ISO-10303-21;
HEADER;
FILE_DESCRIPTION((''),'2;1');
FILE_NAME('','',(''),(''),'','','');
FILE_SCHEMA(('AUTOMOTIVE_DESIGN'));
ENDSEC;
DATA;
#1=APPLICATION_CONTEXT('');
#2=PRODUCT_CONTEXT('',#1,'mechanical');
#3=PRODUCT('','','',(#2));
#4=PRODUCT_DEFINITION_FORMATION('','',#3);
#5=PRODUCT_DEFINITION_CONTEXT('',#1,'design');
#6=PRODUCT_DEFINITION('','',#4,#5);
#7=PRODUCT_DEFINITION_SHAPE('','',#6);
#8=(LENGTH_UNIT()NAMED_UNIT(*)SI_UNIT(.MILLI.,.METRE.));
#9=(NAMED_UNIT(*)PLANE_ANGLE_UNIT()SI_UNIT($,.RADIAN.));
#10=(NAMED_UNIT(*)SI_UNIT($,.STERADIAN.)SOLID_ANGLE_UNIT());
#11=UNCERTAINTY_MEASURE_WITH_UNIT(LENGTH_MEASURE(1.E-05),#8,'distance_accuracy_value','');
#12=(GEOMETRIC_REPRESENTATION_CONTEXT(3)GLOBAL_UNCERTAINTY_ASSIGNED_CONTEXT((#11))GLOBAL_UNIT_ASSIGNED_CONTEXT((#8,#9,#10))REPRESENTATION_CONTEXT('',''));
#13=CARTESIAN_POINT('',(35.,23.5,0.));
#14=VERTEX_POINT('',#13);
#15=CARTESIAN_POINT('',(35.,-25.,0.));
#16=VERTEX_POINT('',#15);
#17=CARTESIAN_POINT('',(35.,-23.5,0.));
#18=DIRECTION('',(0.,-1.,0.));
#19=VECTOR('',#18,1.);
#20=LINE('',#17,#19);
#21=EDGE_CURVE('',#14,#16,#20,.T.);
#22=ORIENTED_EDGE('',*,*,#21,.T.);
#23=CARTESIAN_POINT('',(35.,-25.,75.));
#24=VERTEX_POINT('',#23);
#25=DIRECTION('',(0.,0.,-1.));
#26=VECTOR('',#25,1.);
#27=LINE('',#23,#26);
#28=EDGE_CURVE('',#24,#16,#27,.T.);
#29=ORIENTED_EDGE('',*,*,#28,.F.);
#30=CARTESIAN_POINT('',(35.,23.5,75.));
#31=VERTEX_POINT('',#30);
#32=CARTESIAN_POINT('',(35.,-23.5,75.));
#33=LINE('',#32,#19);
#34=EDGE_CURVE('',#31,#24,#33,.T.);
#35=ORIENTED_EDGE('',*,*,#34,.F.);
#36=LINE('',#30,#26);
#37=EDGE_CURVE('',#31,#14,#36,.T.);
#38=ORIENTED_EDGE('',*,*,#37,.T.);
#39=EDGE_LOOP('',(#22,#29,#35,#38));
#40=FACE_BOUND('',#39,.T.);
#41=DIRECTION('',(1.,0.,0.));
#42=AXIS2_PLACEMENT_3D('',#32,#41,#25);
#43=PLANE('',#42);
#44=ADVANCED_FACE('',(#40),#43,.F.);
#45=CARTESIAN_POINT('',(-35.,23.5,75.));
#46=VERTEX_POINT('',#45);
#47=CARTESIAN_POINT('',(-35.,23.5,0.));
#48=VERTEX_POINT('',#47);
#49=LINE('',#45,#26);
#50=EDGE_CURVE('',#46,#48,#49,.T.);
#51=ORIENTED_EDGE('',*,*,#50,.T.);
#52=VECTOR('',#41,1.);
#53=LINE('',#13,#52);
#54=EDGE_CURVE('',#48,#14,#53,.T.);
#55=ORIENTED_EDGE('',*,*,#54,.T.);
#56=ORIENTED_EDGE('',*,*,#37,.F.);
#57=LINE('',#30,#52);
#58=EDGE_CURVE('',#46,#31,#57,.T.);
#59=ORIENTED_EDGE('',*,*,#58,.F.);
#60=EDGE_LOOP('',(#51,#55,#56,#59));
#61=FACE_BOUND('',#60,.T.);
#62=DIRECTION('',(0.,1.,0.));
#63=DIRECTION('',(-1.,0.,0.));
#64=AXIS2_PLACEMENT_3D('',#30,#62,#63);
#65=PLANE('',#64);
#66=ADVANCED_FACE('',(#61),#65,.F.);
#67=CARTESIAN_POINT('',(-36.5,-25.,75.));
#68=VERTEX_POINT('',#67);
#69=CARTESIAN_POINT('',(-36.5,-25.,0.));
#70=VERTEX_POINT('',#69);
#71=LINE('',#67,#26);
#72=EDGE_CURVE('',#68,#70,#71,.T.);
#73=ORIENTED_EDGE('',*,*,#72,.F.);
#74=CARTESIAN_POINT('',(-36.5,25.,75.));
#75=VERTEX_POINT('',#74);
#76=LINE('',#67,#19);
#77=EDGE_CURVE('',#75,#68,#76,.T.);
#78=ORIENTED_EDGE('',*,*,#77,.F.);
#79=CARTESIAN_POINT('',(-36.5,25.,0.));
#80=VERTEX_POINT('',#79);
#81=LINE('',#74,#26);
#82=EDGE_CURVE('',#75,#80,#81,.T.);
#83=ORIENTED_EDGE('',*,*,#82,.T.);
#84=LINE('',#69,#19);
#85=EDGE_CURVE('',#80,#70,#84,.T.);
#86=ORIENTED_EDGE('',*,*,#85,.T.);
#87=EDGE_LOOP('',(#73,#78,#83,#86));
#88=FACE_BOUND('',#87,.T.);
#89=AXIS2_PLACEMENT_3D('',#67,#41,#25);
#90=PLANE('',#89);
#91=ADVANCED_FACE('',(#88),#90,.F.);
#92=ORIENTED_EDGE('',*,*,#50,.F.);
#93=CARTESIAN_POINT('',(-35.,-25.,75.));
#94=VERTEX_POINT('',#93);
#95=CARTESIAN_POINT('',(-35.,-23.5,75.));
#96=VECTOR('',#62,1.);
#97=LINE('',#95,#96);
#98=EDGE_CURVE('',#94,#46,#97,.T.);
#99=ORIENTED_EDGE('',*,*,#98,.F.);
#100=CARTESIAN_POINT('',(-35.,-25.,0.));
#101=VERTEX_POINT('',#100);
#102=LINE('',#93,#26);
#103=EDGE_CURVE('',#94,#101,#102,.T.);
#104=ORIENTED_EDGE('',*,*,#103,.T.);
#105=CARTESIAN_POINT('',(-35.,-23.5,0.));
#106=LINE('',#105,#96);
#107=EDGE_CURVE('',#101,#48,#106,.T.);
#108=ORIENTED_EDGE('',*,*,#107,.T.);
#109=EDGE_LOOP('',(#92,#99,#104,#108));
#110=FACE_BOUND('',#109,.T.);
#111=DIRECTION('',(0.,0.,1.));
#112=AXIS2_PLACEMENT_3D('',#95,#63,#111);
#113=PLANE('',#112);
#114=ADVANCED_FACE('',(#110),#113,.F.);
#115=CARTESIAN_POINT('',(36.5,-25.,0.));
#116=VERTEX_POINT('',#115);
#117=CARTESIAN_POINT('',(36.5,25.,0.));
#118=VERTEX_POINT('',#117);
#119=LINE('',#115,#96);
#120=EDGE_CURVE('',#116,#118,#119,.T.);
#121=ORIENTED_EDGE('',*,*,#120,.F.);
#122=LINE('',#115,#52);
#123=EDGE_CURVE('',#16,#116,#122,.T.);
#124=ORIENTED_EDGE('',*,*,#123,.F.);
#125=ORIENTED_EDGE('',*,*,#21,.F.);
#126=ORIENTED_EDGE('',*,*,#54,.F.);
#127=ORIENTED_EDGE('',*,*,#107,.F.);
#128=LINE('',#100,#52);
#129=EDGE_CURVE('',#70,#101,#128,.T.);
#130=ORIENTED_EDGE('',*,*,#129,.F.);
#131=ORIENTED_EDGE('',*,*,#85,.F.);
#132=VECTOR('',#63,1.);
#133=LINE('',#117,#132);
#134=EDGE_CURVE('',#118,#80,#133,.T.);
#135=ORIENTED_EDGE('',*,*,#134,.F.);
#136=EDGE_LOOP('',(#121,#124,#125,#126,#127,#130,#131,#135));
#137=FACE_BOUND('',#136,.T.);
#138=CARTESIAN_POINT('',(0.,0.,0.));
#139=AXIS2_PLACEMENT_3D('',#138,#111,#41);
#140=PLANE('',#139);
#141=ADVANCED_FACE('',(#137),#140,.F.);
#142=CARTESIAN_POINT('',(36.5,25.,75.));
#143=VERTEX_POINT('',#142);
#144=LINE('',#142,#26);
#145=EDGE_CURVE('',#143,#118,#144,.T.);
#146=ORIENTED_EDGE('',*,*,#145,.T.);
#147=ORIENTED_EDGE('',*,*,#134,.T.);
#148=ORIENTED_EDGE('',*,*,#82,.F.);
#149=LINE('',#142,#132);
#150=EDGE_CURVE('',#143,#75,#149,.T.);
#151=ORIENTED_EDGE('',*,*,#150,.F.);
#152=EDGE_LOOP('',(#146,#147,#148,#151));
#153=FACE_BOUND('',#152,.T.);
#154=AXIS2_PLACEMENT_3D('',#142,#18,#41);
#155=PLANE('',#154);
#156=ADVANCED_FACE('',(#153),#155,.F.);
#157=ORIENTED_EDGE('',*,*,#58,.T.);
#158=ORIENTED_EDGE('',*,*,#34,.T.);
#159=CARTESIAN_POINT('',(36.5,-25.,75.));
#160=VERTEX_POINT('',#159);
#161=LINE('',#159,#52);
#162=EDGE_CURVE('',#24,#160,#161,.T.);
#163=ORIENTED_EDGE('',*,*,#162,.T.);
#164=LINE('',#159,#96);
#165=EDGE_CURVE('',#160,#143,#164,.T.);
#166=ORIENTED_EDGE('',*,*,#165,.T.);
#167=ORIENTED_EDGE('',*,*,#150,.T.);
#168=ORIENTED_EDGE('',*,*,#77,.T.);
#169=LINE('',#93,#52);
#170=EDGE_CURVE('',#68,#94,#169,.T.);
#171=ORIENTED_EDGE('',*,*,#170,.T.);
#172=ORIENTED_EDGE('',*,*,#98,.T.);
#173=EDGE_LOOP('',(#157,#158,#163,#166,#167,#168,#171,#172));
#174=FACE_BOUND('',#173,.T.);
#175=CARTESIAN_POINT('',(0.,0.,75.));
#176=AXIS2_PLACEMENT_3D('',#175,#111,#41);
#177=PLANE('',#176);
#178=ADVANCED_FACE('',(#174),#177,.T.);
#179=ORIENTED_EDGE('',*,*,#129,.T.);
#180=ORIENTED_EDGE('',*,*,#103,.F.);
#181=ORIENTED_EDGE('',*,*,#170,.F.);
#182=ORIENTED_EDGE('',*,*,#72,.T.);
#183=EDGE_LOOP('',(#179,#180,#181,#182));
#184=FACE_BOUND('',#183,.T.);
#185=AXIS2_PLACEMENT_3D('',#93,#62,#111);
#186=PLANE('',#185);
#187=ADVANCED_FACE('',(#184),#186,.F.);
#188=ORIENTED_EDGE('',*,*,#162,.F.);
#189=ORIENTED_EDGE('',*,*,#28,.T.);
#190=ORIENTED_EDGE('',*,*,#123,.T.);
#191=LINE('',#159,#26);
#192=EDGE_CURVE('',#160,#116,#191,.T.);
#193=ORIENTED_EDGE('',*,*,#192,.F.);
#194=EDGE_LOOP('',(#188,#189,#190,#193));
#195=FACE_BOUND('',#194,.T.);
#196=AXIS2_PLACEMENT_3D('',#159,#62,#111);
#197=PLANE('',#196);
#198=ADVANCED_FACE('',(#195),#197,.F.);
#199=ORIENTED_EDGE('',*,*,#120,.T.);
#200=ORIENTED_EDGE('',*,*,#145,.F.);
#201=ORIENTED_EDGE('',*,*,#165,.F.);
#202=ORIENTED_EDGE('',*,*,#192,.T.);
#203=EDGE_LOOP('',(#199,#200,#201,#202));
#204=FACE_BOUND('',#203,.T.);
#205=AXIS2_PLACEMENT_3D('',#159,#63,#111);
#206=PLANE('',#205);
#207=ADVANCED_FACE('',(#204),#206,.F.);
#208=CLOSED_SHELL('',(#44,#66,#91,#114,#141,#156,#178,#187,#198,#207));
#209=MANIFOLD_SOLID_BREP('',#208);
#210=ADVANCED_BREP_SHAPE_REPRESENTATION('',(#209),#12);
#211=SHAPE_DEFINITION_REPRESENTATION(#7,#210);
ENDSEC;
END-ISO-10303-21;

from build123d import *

# Parameters (mm, degrees)
EXTRUDE_2_DEPTH = 75


with BuildPart() as part:
    # 草图1 → 凸台-拉伸2 (new body)
    with BuildSketch(Plane.XY):
        Polygon((36.5, 25), (-36.5, 25), (-36.5, -25), (-35, -25), (-35, -23.5), (-35, 23.5), (35, 23.5), (35, -23.5), (35, -25), (36.5, -25), align=None)
    extrude(amount=EXTRUDE_2_DEPTH)


solid = part.part
